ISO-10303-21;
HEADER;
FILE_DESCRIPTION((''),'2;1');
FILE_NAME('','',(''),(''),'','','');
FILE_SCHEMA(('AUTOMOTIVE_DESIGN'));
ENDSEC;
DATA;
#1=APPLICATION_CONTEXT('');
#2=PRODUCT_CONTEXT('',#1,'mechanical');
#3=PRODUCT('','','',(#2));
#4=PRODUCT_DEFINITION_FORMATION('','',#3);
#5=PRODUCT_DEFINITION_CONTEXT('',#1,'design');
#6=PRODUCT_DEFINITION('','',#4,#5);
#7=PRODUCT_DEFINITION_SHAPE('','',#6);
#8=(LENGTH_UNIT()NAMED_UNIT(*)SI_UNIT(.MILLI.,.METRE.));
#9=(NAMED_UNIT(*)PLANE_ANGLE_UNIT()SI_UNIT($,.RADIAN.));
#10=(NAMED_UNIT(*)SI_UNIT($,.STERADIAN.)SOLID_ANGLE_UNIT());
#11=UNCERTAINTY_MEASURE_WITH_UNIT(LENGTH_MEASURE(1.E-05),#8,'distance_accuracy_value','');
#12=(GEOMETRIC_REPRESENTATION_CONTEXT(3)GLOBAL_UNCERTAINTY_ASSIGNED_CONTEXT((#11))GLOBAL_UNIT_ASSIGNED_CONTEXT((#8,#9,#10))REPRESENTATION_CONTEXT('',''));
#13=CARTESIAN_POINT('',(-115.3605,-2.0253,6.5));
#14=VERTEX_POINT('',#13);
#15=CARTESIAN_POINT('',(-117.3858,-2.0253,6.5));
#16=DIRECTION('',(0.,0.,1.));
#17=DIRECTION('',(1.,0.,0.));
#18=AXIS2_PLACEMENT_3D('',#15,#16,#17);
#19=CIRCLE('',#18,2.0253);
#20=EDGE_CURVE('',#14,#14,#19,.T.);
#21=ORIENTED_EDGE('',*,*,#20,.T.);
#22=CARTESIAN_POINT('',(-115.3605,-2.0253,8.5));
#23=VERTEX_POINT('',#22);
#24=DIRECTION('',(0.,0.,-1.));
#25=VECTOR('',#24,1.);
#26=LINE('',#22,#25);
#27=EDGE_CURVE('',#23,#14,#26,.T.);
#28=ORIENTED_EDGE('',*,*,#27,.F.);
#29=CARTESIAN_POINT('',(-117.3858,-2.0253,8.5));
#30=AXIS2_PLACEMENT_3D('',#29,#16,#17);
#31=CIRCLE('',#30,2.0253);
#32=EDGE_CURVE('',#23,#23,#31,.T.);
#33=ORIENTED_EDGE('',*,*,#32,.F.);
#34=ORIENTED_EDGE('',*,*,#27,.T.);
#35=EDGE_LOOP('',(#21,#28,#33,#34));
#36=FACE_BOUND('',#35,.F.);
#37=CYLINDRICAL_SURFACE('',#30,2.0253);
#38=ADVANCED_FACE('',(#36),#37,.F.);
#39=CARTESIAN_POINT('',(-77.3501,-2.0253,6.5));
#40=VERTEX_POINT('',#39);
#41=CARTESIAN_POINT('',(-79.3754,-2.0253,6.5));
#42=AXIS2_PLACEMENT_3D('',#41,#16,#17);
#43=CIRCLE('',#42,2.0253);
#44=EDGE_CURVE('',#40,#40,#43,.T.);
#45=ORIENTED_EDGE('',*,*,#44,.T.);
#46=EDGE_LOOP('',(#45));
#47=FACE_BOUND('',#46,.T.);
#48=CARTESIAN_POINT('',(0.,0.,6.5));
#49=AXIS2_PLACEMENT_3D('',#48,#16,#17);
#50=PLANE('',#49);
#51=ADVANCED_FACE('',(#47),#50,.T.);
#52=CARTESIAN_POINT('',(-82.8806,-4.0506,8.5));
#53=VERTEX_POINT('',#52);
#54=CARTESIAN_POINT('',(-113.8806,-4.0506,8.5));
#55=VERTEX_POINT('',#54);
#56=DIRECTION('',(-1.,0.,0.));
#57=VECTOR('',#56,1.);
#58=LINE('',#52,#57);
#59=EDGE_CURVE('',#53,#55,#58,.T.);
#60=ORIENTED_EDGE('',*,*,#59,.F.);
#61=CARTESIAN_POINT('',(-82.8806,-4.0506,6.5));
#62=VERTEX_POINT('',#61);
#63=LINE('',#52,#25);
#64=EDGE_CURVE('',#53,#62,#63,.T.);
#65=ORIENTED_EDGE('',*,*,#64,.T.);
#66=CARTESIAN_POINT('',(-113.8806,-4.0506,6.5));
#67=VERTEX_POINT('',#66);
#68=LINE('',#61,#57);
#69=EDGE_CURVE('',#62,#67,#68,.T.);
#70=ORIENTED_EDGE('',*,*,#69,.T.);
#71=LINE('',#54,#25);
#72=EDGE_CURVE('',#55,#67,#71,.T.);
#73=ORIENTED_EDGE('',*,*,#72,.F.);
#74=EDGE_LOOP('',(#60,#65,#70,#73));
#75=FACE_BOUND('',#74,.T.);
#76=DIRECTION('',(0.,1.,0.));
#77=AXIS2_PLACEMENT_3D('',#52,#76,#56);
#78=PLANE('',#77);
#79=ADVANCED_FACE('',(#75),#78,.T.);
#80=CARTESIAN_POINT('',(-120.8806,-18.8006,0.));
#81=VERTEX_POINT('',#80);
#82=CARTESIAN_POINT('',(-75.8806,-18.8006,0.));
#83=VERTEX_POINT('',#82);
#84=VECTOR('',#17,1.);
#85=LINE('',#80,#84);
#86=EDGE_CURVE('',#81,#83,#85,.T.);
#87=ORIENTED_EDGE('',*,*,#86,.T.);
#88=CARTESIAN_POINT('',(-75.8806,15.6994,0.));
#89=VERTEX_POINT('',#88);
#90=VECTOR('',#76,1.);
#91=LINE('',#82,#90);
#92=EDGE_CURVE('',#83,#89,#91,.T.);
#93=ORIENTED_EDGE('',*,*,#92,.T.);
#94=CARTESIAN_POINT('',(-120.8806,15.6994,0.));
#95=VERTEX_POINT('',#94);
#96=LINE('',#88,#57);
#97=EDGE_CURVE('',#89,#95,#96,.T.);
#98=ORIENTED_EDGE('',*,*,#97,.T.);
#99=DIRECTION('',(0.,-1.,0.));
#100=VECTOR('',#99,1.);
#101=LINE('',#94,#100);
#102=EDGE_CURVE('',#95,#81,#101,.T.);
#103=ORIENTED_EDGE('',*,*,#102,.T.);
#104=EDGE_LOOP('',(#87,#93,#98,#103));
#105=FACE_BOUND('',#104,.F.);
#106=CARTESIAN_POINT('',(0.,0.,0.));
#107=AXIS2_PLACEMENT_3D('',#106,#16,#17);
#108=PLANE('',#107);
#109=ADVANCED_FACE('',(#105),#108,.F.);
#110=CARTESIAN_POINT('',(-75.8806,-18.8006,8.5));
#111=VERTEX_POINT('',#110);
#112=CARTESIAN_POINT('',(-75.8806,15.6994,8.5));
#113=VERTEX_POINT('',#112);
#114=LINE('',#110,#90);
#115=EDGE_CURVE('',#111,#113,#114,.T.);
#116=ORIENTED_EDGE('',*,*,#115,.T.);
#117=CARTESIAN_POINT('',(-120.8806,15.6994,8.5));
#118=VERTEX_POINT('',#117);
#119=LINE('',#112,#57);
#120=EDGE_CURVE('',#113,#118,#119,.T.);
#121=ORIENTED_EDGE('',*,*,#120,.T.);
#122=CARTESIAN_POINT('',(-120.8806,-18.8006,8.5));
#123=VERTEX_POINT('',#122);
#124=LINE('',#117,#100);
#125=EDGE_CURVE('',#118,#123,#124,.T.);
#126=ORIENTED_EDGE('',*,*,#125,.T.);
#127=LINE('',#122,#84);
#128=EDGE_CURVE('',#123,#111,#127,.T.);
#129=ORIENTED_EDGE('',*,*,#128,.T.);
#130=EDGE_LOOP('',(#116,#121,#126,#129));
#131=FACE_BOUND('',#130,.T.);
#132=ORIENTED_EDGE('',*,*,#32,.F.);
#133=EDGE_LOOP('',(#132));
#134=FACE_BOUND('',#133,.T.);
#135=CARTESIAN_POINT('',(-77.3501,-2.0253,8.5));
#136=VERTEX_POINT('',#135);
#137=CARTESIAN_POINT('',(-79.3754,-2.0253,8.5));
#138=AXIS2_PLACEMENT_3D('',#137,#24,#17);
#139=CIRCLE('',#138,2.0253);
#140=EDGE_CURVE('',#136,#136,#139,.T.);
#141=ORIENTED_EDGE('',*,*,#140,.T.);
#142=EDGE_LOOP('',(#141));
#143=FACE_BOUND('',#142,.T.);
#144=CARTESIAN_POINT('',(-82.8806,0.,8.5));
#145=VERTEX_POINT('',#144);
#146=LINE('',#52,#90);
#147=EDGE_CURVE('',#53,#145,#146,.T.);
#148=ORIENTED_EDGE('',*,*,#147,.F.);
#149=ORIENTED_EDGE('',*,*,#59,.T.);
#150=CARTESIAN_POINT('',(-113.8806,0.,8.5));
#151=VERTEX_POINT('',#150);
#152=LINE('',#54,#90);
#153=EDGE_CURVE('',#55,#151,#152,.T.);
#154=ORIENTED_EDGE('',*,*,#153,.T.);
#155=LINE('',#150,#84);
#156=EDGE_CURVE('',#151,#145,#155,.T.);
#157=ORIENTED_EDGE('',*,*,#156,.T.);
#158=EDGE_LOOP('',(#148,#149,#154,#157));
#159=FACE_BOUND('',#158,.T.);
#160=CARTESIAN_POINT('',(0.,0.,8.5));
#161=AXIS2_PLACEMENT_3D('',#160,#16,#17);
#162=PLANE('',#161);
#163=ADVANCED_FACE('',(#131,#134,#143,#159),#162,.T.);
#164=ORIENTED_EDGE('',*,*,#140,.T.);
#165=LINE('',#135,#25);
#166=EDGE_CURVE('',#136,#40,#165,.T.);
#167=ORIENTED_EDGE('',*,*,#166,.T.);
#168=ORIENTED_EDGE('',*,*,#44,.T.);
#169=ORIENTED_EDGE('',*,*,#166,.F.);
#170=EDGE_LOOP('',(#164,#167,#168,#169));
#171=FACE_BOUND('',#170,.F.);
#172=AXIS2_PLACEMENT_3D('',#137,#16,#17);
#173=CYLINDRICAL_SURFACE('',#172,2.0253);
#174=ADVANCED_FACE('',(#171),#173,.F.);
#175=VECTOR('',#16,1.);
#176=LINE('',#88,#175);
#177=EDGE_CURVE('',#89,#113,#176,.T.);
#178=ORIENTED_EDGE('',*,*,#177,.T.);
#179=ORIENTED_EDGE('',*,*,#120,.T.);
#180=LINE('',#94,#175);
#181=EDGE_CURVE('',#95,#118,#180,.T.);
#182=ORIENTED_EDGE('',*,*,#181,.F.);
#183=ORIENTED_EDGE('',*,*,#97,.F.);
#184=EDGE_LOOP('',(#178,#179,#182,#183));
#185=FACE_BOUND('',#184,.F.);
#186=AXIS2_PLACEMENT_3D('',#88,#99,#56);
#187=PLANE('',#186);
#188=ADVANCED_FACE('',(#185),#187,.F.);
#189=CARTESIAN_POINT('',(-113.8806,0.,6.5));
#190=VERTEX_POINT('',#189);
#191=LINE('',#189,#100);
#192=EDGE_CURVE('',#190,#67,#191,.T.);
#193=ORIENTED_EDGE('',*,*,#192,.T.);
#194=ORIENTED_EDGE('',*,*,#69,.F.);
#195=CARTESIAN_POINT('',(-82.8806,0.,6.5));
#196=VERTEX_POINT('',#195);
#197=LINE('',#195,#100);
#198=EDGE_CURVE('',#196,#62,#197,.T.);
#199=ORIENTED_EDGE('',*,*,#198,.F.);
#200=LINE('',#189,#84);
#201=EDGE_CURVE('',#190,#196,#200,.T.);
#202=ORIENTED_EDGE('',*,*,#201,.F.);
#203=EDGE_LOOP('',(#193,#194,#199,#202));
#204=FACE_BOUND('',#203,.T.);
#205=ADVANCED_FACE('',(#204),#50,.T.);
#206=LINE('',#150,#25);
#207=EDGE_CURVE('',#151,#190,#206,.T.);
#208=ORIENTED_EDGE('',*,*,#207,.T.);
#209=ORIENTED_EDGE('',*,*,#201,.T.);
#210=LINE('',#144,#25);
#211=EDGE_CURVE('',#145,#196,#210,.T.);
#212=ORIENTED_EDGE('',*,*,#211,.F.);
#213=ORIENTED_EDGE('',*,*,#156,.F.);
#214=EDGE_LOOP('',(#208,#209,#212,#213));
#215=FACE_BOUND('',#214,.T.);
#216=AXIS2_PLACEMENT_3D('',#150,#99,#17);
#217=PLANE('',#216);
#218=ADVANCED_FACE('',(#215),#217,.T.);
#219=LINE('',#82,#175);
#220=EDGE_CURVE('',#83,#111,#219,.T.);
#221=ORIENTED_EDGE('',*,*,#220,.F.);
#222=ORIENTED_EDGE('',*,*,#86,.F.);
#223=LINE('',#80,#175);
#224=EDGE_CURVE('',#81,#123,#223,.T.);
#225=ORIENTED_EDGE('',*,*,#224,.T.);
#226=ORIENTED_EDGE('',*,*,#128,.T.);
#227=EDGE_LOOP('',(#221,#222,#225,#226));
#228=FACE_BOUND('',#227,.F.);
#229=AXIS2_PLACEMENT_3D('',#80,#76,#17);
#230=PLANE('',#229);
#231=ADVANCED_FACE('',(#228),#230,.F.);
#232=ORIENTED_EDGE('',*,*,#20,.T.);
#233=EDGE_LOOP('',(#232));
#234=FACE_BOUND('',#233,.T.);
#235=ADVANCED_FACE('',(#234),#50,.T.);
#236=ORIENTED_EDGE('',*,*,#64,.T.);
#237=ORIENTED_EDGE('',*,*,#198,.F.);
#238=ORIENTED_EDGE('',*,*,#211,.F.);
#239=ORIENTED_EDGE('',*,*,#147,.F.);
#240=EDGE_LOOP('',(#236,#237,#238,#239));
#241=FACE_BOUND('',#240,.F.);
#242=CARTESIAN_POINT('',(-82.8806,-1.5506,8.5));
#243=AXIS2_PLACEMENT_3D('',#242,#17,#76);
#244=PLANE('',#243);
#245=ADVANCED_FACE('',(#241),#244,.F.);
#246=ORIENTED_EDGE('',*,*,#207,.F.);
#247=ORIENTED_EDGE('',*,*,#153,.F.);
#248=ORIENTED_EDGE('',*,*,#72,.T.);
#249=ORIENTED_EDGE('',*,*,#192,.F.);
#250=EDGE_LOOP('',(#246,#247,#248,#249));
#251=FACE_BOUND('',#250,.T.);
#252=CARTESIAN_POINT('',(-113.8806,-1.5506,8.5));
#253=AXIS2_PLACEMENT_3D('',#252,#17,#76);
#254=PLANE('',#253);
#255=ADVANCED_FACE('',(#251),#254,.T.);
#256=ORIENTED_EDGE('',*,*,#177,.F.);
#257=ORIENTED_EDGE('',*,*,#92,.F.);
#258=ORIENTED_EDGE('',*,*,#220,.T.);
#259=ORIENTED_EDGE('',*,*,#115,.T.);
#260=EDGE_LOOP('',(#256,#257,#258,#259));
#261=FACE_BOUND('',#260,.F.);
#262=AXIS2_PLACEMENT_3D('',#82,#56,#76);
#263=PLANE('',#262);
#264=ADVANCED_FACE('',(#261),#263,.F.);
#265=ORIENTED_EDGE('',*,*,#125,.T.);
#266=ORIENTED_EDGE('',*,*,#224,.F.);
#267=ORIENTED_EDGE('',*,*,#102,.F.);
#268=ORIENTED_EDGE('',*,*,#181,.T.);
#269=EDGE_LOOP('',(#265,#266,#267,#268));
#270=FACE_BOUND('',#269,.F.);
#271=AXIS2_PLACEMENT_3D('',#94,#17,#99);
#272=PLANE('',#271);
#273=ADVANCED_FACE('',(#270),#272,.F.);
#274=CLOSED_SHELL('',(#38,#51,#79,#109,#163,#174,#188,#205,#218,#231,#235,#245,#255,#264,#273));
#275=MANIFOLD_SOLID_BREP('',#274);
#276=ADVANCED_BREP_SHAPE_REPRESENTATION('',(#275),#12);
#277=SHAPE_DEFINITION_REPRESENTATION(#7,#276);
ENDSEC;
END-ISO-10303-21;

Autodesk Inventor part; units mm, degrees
ref_plane "YZ Plane" through (0, 0, 0) normal (1, 0, 0) x (0, 1, 0)
ref_plane "XZ Plane" through (0, 0, 0) normal (0, 1, 0) x (-1, 0, 0)
ref_plane "XY Plane" through (0, 0, 0) normal (0, 0, 1) x (1, 0, 0)
ref_plane "Work Plane1" through (0, 0, 0) normal (0, 0, 1) x (1, 0, 0)
sketch "Sketch1" plane through (0, 0, 0) normal (0, 0, 1) x (1, 0, 0)
  line L0 (-75.8806, 15.6994) -> (-120.8806, 15.6994)
  line L1 (-120.8806, 15.6994) -> (-120.8806, -18.8006)
  line L2 (-120.8806, -18.8006) -> (-75.8806, -18.8006)
  line L3 (-75.8806, -18.8006) -> (-75.8806, 15.6994)
  point P0 (0, 0)
  dimension "d0" = 34.5
  dimension "d1" = 45
extrude "Extrusion1" add sketch "Sketch1" along normal blind 8.5
sketch "Sketch2" plane through (0, 0, 8.5) normal (0, 0, 1) x (1, 0, 0)
  line L0 (-120.8806, 15.6994) -> (-120.8806, -18.8006) projected
  line L1 (-120.8806, -1.5506) -> (-113.8806, -1.5506)
  line L2 (-113.8806, -1.5506) -> (-82.8806, -1.5506)
  line L3 (-82.8806, -1.5506) -> (-82.8806, -4.0506)
  line L4 (-82.8806, -1.5506) -> (-82.8806, 0.9494)
  line L5 (-82.8806, -4.0506) -> (-113.8806, -4.0506)
  line L6 (-113.8806, -4.0506) -> (-113.8806, 0)
  line L7 (-113.8806, 0) -> (-82.8806, 0)
  line L8 (-82.8806, 0) -> (-82.8806, -4.0506)
  line L9 (-82.8806, -4.0506) -> (-113.8806, -4.0506)
  line L10 (-113.8806, -4.0506) -> (-113.8806, 0)
  line L11 (-113.8806, 0) -> (-82.8806, 0)
  line L12 (-82.8806, 0) -> (-82.8806, -4.0506)
  point P0 (0, 0)
  dimension "d4" = 7
  dimension "d5" = 31
  dimension "d6" = 2.5
  dimension "d7" = 2.5
extrude "Extrusion2" cut sketch "Sketch2" against normal blind 2
sketch "Sketch3" plane through (0, 0, 8.5) normal (0, 0, 1) x (1, 0, 0)
  line L0 (-82.8806, 0) -> (-82.8806, -4.0506) projected
  line L1 (-113.8806, 0) -> (-82.8806, 0) projected
  line L2 (-113.8806, -4.0506) -> (-113.8806, 0) projected
  line L3 (-82.8806, -4.0506) -> (-113.8806, -4.0506) projected
  line L4 (-75.8806, -18.8006) -> (-75.8806, 15.6994) projected
  line L5 (-82.8806, -2.0253) -> (-79.3754, -2.0253)
  line L6 (-113.8806, -2.0253) -> (-117.3858, -2.0253)
  circle A0 centre (-117.3858, -2.0253) radius 2.0253
  circle A1 centre (-79.3754, -2.0253) radius 2.0253
  point P0 (0, 0)
  dimension "d11" = 3.5052
  dimension "d12" = 3.5052
extrude "Extrusion3" cut sketch "Sketch3" against normal blind 2 contours A1 | A0
properties part number "Breadboard"
